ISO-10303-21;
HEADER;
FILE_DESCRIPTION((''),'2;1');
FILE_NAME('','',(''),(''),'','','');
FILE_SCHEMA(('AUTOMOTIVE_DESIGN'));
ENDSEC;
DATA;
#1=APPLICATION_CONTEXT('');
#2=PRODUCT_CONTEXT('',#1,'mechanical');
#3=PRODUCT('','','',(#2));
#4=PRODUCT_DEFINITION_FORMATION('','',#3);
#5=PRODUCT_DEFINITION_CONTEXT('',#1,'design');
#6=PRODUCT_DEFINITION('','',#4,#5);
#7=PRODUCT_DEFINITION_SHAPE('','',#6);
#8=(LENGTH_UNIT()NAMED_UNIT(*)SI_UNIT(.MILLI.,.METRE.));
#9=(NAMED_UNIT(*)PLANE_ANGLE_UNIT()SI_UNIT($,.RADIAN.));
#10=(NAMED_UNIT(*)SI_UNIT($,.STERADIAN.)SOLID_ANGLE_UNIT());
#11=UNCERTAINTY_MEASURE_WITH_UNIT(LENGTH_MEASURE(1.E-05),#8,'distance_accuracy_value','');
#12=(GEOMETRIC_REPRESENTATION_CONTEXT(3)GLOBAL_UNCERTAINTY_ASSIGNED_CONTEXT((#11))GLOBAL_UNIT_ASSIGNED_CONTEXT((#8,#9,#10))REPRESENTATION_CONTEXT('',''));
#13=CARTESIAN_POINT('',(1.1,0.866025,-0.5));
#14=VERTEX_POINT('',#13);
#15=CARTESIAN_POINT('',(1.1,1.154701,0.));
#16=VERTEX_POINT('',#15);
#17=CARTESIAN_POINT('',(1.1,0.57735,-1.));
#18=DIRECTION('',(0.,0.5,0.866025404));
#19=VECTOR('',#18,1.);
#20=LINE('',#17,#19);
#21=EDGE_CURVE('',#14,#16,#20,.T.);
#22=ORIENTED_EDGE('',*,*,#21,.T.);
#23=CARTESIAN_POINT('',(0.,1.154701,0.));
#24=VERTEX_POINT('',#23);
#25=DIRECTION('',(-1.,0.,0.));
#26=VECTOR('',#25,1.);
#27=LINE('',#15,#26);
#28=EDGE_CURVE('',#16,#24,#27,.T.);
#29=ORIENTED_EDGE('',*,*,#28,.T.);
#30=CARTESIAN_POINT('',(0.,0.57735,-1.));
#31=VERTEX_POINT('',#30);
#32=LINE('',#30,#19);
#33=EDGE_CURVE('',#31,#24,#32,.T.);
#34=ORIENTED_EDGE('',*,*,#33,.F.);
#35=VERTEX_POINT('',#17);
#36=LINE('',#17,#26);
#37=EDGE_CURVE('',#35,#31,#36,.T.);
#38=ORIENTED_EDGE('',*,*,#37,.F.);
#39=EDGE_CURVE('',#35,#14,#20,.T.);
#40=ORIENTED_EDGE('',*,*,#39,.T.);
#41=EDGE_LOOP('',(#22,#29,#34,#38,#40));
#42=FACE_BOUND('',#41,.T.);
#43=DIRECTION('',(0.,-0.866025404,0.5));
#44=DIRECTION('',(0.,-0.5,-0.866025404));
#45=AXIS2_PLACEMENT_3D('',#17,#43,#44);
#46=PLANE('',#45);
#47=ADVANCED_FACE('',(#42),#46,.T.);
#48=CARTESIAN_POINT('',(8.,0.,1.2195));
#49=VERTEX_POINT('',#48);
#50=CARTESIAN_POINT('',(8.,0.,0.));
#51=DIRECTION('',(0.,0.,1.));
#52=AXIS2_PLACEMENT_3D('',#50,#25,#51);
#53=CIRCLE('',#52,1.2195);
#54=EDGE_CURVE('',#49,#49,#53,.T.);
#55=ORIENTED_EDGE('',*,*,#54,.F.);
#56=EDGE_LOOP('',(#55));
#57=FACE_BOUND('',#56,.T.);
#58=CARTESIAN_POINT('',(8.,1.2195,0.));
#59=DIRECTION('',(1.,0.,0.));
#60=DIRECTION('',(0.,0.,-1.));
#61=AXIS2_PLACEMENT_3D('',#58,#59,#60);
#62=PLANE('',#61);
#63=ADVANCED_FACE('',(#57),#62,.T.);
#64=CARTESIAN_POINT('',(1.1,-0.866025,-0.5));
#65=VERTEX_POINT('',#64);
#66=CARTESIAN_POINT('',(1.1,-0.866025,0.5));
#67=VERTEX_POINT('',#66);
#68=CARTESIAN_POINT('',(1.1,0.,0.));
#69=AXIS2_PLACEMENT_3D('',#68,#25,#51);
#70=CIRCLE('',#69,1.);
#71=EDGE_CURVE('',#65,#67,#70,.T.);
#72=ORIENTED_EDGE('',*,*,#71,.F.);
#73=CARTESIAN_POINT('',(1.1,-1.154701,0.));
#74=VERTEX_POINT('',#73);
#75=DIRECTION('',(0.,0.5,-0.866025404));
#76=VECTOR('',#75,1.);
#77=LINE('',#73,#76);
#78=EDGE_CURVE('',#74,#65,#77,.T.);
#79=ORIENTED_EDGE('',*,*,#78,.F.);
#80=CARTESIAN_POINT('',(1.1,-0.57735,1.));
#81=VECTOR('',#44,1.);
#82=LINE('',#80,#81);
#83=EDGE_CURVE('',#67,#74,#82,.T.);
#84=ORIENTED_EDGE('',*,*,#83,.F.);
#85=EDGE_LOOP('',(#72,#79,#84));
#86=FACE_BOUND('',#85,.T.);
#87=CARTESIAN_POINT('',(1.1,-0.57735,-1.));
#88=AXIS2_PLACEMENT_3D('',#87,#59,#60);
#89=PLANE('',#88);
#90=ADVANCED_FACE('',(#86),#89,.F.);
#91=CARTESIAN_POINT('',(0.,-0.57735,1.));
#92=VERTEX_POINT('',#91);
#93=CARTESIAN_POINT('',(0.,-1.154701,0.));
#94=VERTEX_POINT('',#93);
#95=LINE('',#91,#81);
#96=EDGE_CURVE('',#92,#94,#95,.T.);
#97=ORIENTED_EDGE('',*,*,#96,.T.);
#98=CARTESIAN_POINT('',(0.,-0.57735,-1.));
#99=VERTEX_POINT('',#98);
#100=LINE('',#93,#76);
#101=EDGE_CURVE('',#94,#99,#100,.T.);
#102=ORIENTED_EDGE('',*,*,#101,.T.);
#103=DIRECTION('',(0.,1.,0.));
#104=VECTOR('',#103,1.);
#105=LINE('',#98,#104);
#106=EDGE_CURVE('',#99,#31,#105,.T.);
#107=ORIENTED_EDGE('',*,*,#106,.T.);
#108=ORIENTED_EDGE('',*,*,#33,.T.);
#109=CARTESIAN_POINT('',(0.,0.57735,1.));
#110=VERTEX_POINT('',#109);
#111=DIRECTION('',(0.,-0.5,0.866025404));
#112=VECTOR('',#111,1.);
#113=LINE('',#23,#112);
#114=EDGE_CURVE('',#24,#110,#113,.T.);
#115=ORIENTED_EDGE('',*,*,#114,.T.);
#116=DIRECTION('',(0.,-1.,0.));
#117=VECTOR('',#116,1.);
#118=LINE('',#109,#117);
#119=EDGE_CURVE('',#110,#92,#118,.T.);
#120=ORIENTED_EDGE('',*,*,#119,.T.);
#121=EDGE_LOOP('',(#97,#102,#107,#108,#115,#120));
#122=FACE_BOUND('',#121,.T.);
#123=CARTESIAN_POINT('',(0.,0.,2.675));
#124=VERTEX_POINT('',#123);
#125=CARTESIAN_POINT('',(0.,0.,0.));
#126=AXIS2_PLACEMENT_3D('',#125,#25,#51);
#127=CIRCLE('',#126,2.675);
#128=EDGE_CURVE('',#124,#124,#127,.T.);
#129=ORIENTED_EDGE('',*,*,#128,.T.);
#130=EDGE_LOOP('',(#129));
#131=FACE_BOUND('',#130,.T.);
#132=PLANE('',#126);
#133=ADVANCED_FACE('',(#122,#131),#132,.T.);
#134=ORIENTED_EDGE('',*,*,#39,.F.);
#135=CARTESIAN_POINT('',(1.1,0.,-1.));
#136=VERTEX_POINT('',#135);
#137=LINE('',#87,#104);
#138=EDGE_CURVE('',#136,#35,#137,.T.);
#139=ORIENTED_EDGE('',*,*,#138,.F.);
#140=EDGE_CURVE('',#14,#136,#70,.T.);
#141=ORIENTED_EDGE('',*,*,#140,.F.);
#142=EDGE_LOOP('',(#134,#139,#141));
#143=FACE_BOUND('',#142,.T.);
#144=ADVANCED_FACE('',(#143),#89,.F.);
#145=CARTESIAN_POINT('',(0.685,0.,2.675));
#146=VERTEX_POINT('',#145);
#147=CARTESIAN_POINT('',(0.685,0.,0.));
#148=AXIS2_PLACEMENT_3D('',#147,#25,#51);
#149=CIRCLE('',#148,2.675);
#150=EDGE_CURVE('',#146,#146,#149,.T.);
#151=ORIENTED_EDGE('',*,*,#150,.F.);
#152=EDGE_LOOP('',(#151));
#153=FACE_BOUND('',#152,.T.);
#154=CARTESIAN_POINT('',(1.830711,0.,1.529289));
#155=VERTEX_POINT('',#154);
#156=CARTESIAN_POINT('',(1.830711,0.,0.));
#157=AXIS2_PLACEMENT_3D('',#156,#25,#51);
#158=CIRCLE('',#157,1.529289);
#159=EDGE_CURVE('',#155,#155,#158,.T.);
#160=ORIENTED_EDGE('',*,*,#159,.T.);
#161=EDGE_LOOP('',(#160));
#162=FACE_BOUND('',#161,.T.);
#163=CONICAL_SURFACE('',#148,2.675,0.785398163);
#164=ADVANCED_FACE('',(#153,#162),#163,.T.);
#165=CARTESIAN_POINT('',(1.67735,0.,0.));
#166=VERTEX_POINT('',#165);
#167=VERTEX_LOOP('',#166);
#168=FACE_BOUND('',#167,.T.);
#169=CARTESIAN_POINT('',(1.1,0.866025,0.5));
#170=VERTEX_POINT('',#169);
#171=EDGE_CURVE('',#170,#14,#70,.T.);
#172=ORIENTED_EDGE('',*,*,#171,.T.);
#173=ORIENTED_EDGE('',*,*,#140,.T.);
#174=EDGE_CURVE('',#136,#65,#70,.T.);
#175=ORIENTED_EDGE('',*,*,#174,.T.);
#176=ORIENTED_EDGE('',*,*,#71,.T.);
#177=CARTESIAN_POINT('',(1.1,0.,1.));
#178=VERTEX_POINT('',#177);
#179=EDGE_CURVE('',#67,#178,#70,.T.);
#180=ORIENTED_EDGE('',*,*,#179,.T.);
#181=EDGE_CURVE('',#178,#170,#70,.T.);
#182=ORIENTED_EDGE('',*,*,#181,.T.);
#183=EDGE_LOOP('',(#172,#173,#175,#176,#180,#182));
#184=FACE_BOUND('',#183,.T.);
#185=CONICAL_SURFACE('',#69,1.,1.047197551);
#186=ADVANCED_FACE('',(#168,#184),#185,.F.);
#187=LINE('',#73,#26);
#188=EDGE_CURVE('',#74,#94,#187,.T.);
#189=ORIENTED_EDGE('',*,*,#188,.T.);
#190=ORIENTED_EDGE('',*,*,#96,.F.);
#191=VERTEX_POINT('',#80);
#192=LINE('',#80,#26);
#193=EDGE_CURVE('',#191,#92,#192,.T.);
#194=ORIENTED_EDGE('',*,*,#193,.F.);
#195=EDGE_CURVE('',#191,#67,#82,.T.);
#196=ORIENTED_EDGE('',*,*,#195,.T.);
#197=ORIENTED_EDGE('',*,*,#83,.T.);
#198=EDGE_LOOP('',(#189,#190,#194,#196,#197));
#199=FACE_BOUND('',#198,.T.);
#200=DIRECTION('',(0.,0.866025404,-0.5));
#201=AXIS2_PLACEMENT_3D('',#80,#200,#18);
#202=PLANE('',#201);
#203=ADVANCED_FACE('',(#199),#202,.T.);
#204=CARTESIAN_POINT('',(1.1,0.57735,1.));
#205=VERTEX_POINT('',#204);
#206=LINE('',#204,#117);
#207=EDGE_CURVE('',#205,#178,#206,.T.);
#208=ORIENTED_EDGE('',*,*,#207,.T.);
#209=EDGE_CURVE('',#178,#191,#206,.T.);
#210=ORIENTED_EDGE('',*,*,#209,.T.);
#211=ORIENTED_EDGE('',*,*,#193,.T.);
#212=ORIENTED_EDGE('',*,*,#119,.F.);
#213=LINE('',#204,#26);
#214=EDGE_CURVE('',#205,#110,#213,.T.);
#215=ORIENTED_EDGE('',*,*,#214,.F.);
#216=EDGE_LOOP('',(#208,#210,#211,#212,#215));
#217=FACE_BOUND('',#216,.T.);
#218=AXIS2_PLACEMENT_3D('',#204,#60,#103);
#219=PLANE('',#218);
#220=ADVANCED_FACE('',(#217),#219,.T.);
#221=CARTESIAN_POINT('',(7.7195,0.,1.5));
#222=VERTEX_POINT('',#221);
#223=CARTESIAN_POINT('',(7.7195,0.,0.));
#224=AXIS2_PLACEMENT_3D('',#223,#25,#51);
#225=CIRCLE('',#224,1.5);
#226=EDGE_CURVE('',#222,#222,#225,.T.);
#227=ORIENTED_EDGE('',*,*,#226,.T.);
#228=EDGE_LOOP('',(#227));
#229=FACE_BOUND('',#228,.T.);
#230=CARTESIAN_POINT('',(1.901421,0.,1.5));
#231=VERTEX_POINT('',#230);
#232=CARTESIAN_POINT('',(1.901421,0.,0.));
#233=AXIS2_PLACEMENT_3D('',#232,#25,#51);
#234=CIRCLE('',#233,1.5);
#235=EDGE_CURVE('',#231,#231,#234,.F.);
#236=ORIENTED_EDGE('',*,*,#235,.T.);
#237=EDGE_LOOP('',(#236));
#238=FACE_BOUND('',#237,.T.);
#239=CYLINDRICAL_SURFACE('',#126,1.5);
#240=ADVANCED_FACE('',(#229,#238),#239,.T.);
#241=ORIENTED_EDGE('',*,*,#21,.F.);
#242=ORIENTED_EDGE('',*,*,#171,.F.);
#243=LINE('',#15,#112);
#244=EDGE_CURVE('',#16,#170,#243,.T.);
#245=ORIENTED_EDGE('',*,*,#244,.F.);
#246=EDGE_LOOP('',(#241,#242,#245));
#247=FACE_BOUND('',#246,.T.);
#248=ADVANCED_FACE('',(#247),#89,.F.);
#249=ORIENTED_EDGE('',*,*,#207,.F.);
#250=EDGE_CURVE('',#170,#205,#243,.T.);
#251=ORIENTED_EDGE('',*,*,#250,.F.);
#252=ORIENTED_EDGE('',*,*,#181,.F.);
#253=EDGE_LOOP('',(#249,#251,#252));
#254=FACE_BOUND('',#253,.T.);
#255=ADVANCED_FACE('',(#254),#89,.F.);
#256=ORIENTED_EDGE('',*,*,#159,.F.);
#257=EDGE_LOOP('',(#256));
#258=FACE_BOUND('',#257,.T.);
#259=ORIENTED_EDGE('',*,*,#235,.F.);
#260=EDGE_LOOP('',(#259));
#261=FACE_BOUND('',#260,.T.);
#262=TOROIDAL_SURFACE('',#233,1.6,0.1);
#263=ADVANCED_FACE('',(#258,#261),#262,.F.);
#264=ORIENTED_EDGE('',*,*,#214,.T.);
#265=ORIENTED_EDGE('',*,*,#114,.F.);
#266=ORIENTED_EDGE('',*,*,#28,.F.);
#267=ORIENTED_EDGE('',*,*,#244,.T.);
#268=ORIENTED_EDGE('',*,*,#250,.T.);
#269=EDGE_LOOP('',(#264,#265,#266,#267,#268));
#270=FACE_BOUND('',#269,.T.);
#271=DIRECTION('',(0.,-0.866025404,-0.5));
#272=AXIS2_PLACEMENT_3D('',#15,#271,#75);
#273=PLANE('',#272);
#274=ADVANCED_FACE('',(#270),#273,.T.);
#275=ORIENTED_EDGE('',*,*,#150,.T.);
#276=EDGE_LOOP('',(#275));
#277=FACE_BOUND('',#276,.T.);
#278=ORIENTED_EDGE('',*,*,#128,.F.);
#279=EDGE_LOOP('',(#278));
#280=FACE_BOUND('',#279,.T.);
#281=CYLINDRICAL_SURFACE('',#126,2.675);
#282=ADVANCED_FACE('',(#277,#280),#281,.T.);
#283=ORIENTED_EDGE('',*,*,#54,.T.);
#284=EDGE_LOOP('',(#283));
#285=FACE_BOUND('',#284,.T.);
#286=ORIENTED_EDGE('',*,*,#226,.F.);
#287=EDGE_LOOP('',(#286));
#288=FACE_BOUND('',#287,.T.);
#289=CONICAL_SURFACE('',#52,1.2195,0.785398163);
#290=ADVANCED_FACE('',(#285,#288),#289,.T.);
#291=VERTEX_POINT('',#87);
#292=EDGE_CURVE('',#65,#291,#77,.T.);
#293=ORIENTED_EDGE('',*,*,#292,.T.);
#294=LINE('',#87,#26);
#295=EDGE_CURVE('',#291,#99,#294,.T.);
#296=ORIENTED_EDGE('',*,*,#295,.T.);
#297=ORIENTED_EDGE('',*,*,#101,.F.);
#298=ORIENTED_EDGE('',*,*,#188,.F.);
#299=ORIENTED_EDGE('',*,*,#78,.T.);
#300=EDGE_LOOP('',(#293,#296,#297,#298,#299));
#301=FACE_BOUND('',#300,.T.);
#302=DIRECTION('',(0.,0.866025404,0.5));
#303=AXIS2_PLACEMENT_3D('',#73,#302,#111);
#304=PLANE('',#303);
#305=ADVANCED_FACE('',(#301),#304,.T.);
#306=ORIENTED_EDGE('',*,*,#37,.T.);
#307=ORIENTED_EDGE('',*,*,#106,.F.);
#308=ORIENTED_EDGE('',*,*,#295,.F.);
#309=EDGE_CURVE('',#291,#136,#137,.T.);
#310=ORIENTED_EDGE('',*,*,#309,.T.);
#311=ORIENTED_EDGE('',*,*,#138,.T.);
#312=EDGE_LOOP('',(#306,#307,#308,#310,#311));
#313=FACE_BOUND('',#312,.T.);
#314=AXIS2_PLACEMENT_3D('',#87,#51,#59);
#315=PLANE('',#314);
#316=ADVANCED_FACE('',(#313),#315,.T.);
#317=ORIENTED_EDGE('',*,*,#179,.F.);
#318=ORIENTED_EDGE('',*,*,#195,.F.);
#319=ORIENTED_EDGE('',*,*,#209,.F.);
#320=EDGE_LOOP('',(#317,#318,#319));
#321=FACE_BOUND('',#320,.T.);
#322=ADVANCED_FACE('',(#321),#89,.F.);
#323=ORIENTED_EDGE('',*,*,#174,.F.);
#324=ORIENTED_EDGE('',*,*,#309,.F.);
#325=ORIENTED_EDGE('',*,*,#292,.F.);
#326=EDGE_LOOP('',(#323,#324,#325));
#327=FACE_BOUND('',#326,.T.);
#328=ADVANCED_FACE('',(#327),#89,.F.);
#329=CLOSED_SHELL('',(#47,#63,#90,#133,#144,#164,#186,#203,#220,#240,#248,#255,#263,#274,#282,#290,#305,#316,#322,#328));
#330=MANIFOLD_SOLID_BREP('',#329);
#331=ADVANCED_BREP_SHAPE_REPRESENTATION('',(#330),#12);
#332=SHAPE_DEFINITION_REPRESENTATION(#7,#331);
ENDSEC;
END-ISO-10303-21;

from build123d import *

# Parameters (mm, degrees)
FILLET1_R   = 0.1
HEX_2_DEPTH = 1.1


with BuildPart() as part:
    # BodySke → BaseBody (revolve)
    with BuildSketch(Plane.XY, mode=Mode.PRIVATE) as basebody_sk:
        Polygon((0, 0), (0, 2.675), (0.685, 2.675), (1.86, 1.5), (7.7195, 1.5), (8, 1.2195), (8, 0), align=None)
    revolve(basebody_sk.sketch.rotate(Axis((0, 0, 0), (1, 0, 0)), 90), axis=Axis((0, 0, 0), (1, 0, 0)))

    # Fillet1
    fillet1_edges = [part.edges().sort_by_distance(p)[0] for p in [
        (1.86, 0, -1.5),
    ]]
    fillet(fillet1_edges, radius=FILLET1_R)

    # Sketch2 → PreBroach (revolve, cut)
    with BuildSketch(Plane.XY, mode=Mode.PRIVATE) as prebroach_sk:
        Polygon((0, 1), (1.1, 1), (1.677350269, 0), (0, 0), align=None)
    revolve(prebroach_sk.sketch.rotate(Axis((0, 0, 0), (1, 0, 0)), 90), axis=Axis((0, 0, 0), (1, 0, 0)), mode=Mode.SUBTRACT)

    # Sketch3 → Hex 2 (cut)
    with BuildSketch(Plane.ZY):
        Polygon((-1, -0.577350269), (-1, 0.577350269), (0, 1.154700538), (1, 0.577350269), (1, -0.577350269), (0, -1.154700538), align=None)
    extrude(amount=-HEX_2_DEPTH, mode=Mode.SUBTRACT)


solid = part.part
